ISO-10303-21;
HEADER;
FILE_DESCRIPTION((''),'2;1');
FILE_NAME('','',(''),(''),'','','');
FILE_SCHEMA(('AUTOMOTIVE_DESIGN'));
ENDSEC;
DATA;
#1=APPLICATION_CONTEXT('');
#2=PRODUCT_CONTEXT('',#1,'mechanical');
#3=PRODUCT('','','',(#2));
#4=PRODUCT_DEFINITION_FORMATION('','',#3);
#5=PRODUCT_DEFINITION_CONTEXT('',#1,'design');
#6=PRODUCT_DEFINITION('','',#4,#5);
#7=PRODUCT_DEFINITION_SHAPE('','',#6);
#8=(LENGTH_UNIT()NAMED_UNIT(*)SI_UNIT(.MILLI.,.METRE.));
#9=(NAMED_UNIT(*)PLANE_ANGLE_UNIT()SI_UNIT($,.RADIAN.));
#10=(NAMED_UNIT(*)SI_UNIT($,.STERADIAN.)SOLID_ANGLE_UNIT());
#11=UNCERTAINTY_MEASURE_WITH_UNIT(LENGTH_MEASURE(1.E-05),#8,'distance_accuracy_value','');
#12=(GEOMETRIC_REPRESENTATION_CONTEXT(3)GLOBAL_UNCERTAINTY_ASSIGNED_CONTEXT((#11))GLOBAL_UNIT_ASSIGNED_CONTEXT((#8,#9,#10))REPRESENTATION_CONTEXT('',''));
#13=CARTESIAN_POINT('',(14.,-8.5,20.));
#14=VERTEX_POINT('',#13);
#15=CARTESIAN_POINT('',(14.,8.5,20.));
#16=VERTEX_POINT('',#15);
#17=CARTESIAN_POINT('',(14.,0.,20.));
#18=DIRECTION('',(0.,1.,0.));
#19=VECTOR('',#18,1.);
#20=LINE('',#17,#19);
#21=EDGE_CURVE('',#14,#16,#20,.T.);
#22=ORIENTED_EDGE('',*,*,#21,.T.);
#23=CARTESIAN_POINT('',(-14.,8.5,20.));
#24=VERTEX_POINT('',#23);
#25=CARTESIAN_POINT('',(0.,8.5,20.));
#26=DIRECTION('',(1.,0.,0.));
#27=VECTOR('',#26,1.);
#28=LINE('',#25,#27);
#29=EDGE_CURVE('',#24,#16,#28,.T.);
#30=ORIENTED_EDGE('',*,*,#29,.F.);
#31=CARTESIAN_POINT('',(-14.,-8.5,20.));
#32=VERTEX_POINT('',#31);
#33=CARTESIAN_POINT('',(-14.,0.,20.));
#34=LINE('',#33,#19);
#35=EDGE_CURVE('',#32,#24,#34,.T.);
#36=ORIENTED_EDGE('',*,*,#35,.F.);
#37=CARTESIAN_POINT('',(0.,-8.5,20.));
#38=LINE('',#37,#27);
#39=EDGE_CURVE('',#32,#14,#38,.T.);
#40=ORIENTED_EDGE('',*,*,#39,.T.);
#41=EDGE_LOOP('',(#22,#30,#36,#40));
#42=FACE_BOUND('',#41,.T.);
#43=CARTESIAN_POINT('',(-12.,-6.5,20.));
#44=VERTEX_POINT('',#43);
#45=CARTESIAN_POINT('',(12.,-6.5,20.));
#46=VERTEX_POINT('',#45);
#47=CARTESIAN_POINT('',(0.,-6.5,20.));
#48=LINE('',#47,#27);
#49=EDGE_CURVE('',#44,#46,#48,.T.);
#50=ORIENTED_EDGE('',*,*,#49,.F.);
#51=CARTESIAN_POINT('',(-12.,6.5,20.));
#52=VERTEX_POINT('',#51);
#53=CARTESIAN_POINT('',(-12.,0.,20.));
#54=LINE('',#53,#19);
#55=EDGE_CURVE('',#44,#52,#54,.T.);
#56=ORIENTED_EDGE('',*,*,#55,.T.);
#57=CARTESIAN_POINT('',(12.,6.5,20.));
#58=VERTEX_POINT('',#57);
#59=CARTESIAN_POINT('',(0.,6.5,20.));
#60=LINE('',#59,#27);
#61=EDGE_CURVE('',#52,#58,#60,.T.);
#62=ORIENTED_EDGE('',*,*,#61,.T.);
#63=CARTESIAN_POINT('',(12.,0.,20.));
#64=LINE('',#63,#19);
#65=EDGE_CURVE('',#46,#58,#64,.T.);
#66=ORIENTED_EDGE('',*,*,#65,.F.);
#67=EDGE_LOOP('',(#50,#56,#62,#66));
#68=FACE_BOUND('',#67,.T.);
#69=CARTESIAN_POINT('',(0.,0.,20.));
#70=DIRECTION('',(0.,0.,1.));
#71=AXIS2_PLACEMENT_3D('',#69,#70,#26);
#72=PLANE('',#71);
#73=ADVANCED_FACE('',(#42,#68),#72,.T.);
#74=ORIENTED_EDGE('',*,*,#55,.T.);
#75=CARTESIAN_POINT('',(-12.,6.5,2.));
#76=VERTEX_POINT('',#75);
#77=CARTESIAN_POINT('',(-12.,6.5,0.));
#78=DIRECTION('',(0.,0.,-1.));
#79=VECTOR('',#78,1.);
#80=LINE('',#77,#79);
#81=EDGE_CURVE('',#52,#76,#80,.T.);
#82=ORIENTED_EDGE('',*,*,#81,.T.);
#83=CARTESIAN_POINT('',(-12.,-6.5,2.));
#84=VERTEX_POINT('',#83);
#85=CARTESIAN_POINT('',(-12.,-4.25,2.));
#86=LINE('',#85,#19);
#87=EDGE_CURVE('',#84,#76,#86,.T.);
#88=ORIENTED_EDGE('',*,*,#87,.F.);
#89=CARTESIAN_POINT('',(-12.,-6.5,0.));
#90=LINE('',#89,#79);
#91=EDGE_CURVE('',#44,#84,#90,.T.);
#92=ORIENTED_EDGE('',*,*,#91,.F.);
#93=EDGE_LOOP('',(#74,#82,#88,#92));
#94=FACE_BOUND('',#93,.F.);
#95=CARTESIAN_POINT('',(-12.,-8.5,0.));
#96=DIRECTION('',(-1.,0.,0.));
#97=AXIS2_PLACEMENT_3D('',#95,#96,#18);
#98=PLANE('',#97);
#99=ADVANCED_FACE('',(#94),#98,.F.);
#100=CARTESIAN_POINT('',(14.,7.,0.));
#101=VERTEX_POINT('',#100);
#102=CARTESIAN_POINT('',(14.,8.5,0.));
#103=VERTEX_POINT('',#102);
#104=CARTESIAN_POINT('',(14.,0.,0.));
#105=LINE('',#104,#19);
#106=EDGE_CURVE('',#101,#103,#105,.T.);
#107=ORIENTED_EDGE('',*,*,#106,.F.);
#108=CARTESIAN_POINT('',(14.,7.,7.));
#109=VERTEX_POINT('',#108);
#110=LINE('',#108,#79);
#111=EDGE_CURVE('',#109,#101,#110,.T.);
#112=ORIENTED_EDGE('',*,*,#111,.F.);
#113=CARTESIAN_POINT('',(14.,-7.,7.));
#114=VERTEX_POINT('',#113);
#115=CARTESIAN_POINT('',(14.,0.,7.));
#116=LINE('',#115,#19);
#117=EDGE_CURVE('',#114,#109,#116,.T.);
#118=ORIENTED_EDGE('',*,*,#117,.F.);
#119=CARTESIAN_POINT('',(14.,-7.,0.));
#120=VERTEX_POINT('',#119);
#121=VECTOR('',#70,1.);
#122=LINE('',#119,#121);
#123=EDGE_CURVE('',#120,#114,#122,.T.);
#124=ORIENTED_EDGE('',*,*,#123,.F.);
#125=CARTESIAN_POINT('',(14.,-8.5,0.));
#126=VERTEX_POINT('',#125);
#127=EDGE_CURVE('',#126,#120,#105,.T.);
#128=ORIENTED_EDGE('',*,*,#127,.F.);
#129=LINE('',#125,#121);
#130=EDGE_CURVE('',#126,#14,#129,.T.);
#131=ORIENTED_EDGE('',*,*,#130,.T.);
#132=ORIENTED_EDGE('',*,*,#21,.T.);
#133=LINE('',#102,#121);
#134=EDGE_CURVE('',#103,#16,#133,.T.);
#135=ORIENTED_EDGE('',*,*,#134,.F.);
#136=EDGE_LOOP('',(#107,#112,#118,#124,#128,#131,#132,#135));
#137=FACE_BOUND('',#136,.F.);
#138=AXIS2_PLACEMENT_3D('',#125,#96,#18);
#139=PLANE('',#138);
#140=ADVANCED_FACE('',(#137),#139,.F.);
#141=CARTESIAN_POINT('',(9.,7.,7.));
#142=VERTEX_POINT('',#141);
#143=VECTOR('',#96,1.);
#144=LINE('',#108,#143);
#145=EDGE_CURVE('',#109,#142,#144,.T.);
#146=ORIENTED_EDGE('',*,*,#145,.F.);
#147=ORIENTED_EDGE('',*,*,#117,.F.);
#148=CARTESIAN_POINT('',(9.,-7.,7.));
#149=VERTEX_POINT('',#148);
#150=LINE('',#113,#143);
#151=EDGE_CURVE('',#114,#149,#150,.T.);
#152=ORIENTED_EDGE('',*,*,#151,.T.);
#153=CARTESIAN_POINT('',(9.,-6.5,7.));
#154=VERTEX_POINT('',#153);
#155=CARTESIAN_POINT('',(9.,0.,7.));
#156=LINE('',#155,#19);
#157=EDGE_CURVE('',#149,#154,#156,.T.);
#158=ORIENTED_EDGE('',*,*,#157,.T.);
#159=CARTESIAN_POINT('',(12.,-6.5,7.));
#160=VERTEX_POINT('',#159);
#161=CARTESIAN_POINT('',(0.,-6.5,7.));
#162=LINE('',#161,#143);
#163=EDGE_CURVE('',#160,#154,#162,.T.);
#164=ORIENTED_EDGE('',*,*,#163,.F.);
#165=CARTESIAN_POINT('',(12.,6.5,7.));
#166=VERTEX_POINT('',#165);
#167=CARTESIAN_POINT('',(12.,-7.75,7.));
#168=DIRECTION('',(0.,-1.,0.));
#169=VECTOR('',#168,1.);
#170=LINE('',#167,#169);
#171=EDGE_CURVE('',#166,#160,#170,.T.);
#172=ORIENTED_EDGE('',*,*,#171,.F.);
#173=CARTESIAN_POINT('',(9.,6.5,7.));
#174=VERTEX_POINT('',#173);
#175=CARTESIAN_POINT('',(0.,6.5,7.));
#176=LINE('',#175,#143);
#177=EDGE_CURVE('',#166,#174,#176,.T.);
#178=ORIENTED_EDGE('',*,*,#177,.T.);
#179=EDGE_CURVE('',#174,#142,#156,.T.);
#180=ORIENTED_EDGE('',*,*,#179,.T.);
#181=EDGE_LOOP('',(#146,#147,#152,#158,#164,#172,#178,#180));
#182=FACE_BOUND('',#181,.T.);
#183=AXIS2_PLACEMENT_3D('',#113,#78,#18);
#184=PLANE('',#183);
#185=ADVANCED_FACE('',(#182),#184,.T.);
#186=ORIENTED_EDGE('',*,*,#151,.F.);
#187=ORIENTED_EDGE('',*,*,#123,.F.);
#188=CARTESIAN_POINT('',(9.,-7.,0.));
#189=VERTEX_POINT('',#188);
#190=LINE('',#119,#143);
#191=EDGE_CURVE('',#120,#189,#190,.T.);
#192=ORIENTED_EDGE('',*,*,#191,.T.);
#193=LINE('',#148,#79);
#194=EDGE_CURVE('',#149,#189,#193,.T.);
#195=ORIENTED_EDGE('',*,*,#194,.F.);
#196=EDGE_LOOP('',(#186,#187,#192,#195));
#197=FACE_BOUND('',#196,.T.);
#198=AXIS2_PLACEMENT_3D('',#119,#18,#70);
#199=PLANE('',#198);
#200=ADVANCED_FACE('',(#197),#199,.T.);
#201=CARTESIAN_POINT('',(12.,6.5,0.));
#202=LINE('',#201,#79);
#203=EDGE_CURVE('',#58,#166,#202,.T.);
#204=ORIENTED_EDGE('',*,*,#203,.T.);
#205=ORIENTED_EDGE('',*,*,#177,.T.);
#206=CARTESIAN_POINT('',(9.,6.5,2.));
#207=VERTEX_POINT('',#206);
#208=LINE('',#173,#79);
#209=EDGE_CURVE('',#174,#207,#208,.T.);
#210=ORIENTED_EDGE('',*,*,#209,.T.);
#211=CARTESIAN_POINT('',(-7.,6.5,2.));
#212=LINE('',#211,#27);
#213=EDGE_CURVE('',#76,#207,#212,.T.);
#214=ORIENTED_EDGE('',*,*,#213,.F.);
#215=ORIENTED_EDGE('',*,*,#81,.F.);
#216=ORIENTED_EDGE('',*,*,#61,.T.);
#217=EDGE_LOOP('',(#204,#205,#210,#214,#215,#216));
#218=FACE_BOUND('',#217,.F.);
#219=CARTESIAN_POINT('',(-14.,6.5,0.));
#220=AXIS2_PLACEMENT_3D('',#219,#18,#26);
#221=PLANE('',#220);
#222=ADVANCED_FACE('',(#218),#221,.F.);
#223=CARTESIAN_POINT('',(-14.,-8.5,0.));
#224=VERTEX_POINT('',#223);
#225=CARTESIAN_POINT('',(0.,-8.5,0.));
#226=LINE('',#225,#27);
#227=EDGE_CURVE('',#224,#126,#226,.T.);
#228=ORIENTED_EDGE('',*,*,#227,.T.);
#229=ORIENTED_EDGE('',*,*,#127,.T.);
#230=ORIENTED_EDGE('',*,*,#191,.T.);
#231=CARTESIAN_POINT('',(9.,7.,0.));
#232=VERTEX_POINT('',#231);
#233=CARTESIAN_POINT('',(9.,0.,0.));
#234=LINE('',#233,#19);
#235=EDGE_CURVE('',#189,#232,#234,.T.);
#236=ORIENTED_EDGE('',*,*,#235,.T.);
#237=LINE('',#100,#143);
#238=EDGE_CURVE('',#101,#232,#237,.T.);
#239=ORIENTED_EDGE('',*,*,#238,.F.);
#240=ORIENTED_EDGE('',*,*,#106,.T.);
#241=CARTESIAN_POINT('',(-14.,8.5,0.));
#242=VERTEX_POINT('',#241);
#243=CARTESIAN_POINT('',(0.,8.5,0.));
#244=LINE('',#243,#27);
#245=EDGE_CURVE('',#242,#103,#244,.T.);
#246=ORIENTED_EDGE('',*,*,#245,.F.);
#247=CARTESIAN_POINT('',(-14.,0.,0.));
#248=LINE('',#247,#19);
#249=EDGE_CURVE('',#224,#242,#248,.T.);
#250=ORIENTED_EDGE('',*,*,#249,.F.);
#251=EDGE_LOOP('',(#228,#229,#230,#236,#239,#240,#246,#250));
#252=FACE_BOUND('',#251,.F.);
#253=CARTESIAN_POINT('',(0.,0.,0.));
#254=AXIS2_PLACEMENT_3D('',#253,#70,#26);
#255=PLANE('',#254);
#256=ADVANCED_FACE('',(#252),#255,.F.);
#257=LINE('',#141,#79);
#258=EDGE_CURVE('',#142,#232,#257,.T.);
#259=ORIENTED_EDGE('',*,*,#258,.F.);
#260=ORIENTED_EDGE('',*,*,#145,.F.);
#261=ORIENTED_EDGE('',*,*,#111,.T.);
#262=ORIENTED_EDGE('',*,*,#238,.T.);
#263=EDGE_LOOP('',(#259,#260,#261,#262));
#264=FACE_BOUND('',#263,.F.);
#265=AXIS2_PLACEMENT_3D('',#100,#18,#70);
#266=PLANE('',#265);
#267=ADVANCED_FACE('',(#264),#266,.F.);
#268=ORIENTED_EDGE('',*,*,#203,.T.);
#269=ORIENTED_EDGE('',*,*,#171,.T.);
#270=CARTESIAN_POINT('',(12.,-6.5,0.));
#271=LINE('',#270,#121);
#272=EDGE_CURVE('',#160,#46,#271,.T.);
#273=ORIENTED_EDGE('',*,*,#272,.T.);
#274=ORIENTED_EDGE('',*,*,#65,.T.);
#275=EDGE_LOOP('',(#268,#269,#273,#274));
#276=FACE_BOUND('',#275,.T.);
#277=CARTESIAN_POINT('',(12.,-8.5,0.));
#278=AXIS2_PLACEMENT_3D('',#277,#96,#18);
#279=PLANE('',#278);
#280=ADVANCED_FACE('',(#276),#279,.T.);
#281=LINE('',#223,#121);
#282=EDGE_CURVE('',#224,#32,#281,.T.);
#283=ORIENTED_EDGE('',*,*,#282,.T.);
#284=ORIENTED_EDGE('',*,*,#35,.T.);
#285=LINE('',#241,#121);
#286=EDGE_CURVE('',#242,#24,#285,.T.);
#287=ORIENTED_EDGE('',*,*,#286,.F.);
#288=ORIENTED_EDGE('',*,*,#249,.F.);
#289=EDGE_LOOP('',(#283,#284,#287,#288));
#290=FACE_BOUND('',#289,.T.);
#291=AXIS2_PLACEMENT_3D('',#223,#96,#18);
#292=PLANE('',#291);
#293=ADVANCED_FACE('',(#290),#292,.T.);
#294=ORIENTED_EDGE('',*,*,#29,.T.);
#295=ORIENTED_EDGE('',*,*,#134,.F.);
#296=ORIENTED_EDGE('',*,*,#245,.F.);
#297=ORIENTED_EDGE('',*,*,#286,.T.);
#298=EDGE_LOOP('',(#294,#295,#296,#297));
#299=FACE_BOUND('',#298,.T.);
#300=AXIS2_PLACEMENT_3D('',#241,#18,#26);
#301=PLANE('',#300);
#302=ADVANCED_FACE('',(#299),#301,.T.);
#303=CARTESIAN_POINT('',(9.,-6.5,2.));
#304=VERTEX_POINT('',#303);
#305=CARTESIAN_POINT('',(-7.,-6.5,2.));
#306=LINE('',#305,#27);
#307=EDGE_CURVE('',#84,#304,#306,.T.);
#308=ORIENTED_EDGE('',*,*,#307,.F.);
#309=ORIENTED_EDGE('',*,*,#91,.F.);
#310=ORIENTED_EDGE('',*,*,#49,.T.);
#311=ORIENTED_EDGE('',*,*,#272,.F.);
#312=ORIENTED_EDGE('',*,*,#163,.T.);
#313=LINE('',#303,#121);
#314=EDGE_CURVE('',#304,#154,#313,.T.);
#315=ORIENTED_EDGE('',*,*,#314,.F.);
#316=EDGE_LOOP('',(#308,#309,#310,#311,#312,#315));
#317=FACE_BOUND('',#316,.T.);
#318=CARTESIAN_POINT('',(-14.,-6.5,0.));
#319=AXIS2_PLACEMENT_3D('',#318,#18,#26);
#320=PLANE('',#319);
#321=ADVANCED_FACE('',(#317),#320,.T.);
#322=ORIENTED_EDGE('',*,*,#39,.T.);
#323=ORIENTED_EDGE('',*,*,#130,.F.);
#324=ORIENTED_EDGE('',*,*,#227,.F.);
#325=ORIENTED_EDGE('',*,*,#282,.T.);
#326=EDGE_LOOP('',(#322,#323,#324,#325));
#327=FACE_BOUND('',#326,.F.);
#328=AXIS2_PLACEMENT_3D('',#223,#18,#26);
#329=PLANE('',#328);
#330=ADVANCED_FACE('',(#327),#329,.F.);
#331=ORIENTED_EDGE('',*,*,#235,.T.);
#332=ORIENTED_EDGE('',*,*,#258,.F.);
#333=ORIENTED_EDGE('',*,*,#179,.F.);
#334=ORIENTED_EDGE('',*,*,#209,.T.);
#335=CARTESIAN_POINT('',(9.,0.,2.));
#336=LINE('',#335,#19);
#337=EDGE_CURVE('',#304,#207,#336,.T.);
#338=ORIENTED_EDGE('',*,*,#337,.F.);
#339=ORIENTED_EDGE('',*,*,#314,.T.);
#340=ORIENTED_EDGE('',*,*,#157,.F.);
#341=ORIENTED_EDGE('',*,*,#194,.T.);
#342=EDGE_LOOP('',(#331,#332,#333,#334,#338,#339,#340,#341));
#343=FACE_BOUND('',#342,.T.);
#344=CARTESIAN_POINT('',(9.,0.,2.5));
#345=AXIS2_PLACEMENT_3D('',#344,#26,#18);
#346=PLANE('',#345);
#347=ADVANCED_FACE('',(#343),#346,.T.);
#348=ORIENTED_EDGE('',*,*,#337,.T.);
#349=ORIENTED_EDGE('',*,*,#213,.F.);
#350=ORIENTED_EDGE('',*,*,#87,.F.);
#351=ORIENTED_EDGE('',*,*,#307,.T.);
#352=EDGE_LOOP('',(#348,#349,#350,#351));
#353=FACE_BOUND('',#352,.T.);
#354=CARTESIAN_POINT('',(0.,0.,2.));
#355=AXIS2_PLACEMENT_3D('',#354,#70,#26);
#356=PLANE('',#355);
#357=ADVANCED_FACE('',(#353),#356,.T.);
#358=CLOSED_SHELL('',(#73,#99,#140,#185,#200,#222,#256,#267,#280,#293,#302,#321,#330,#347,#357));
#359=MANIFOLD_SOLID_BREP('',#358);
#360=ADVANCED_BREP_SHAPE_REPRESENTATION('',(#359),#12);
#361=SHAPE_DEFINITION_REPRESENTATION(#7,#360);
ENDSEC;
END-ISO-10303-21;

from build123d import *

# Parameters (mm, degrees)
F0_W     = 28
F0_H     = 17
F1_DEPTH = 20
F2_T     = -2
F3_W     = 14
F3_H     = 5
F4_DEPTH = 5
F5_DEPTH = 2


with BuildPart() as f1:
    # F0 (on Top) → F1 (new body)
    with BuildSketch(Plane.XY):
        Rectangle(F0_W, F0_H)
    extrude(amount=F1_DEPTH)

    # F2
    f2_openings = [f1.faces().sort_by_distance(p)[0] for p in [
        (0, 0, 20),
    ]]
    offset(amount=F2_T, openings=f2_openings)

    # F3 (on face) → F4 (cut)
    with BuildSketch(Plane.YZ.offset(14)):
        with Locations((0, 2.5)):
            Rectangle(F3_W, F3_H)
    extrude(amount=-F4_DEPTH, mode=Mode.SUBTRACT)

    # F5 (cut): a face of the model
    f5_faces = [f1.faces().sort_by_distance(p)[0] for p in [
        (12.7580645161, 0, 5),
    ]]
    extrude(f5_faces, amount=-F5_DEPTH, mode=Mode.SUBTRACT)


solid = f1.part
